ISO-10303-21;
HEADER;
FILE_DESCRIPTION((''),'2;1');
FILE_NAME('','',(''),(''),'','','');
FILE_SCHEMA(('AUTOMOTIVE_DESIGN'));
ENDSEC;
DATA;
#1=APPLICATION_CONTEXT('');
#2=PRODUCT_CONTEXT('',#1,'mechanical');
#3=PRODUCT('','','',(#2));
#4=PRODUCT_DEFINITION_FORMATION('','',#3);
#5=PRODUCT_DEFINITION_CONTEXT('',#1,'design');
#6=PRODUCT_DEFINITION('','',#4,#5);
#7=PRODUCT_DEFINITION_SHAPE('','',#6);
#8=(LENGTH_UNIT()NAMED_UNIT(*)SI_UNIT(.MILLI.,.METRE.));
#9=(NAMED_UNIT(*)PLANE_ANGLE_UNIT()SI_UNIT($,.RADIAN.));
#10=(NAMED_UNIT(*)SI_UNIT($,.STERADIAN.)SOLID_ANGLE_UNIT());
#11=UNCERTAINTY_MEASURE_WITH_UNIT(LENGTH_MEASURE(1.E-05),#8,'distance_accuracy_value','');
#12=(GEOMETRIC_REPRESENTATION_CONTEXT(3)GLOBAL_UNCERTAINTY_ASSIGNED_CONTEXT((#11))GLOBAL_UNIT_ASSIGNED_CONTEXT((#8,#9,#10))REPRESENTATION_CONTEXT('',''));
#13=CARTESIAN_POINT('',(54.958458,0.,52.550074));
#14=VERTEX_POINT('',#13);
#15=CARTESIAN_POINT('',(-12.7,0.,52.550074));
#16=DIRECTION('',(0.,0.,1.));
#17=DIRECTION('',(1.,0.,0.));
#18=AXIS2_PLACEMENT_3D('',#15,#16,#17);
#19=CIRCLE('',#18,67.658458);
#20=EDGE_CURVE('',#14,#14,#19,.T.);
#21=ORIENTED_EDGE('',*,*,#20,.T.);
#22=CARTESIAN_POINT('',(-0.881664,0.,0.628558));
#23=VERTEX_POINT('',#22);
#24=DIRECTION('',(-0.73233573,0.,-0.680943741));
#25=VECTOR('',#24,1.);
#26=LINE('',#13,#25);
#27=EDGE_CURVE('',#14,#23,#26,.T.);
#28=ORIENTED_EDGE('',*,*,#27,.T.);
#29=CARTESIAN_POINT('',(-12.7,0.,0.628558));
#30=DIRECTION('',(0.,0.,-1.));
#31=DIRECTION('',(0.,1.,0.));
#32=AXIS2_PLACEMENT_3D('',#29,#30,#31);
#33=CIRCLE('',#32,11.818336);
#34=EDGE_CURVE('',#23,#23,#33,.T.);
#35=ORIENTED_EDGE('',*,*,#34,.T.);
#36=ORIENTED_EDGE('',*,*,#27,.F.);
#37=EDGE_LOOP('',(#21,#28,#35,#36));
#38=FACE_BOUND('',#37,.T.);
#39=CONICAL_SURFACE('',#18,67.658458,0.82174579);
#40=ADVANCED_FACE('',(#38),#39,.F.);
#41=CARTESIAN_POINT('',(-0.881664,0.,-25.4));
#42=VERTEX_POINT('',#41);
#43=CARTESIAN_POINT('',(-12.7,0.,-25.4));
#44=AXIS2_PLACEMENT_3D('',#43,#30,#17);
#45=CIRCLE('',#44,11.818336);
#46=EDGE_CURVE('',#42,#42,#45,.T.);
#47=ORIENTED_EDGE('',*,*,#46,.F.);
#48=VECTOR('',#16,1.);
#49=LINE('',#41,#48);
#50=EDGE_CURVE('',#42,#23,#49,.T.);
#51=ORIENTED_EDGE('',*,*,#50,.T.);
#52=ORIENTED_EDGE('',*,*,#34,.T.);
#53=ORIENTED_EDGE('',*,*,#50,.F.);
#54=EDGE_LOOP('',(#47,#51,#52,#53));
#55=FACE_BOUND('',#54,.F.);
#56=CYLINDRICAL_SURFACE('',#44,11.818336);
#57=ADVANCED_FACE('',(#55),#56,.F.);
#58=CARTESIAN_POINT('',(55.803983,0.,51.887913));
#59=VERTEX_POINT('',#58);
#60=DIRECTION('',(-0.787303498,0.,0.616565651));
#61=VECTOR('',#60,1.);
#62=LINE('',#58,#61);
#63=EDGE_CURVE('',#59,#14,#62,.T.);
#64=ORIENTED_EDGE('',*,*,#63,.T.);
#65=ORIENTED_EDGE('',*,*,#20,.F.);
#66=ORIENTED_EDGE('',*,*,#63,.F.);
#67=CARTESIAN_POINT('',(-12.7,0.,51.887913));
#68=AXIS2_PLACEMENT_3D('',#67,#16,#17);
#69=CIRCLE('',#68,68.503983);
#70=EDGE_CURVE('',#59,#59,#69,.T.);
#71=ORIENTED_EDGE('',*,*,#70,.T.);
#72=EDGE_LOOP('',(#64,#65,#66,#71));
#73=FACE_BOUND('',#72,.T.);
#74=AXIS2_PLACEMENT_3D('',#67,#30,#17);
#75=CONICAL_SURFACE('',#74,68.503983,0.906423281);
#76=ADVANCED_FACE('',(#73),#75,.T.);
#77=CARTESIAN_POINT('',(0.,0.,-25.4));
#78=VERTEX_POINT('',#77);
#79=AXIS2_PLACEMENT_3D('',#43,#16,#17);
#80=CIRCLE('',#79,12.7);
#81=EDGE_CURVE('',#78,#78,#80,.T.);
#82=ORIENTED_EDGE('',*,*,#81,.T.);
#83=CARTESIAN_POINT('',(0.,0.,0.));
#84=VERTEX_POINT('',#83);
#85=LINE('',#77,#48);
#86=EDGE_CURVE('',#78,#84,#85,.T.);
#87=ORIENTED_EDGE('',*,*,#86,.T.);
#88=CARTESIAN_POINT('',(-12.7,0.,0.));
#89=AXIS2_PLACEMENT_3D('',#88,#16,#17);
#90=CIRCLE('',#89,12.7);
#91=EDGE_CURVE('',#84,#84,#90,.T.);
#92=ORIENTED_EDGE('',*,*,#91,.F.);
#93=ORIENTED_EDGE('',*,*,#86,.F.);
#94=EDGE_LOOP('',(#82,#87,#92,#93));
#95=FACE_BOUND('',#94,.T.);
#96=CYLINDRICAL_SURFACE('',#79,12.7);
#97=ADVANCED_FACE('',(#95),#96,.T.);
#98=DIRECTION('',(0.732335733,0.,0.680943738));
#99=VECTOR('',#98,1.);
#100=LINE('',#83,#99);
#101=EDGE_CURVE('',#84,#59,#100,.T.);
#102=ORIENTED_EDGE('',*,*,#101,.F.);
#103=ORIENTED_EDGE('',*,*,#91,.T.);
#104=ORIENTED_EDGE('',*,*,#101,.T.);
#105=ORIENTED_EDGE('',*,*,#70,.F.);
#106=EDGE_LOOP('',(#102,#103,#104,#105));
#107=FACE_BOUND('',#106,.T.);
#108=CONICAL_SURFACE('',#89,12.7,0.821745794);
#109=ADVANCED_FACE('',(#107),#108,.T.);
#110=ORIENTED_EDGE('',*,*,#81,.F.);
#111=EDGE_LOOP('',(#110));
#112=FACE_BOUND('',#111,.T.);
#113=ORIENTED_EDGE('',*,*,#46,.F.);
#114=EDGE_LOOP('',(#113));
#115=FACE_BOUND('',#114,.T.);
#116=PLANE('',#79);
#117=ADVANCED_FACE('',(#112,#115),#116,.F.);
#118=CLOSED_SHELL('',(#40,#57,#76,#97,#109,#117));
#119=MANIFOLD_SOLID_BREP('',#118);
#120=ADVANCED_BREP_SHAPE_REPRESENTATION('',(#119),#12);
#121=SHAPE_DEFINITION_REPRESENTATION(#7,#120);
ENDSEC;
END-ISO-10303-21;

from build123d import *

# Parameters (mm, degrees)
F2_R     = 11.818336
F4_DEPTH = 50.8


with BuildPart() as f1:
    # F0 (on Front) → F1 (revolve)
    with BuildSketch(Plane.XZ):
        Polygon((0, -25.4), (0, 0), (55.803983, 51.887913), (54.958458, 52.550074), (-1.55766, 0), (-12.7, 0), (-12.7, -25.4), align=None)
    revolve(axis=Axis((-12.7, 0, -12.7), (0, 0, 1)))

    # F2 (on face) → F4 (cut)
    with BuildSketch(Plane(origin=(0, 0, -25.4), x_dir=(1, 0, 0), z_dir=(0, 0, -1))):
        with Locations((-12.7, 0)):
            Circle(F2_R)
    extrude(amount=-F4_DEPTH, mode=Mode.SUBTRACT)


solid = f1.part
